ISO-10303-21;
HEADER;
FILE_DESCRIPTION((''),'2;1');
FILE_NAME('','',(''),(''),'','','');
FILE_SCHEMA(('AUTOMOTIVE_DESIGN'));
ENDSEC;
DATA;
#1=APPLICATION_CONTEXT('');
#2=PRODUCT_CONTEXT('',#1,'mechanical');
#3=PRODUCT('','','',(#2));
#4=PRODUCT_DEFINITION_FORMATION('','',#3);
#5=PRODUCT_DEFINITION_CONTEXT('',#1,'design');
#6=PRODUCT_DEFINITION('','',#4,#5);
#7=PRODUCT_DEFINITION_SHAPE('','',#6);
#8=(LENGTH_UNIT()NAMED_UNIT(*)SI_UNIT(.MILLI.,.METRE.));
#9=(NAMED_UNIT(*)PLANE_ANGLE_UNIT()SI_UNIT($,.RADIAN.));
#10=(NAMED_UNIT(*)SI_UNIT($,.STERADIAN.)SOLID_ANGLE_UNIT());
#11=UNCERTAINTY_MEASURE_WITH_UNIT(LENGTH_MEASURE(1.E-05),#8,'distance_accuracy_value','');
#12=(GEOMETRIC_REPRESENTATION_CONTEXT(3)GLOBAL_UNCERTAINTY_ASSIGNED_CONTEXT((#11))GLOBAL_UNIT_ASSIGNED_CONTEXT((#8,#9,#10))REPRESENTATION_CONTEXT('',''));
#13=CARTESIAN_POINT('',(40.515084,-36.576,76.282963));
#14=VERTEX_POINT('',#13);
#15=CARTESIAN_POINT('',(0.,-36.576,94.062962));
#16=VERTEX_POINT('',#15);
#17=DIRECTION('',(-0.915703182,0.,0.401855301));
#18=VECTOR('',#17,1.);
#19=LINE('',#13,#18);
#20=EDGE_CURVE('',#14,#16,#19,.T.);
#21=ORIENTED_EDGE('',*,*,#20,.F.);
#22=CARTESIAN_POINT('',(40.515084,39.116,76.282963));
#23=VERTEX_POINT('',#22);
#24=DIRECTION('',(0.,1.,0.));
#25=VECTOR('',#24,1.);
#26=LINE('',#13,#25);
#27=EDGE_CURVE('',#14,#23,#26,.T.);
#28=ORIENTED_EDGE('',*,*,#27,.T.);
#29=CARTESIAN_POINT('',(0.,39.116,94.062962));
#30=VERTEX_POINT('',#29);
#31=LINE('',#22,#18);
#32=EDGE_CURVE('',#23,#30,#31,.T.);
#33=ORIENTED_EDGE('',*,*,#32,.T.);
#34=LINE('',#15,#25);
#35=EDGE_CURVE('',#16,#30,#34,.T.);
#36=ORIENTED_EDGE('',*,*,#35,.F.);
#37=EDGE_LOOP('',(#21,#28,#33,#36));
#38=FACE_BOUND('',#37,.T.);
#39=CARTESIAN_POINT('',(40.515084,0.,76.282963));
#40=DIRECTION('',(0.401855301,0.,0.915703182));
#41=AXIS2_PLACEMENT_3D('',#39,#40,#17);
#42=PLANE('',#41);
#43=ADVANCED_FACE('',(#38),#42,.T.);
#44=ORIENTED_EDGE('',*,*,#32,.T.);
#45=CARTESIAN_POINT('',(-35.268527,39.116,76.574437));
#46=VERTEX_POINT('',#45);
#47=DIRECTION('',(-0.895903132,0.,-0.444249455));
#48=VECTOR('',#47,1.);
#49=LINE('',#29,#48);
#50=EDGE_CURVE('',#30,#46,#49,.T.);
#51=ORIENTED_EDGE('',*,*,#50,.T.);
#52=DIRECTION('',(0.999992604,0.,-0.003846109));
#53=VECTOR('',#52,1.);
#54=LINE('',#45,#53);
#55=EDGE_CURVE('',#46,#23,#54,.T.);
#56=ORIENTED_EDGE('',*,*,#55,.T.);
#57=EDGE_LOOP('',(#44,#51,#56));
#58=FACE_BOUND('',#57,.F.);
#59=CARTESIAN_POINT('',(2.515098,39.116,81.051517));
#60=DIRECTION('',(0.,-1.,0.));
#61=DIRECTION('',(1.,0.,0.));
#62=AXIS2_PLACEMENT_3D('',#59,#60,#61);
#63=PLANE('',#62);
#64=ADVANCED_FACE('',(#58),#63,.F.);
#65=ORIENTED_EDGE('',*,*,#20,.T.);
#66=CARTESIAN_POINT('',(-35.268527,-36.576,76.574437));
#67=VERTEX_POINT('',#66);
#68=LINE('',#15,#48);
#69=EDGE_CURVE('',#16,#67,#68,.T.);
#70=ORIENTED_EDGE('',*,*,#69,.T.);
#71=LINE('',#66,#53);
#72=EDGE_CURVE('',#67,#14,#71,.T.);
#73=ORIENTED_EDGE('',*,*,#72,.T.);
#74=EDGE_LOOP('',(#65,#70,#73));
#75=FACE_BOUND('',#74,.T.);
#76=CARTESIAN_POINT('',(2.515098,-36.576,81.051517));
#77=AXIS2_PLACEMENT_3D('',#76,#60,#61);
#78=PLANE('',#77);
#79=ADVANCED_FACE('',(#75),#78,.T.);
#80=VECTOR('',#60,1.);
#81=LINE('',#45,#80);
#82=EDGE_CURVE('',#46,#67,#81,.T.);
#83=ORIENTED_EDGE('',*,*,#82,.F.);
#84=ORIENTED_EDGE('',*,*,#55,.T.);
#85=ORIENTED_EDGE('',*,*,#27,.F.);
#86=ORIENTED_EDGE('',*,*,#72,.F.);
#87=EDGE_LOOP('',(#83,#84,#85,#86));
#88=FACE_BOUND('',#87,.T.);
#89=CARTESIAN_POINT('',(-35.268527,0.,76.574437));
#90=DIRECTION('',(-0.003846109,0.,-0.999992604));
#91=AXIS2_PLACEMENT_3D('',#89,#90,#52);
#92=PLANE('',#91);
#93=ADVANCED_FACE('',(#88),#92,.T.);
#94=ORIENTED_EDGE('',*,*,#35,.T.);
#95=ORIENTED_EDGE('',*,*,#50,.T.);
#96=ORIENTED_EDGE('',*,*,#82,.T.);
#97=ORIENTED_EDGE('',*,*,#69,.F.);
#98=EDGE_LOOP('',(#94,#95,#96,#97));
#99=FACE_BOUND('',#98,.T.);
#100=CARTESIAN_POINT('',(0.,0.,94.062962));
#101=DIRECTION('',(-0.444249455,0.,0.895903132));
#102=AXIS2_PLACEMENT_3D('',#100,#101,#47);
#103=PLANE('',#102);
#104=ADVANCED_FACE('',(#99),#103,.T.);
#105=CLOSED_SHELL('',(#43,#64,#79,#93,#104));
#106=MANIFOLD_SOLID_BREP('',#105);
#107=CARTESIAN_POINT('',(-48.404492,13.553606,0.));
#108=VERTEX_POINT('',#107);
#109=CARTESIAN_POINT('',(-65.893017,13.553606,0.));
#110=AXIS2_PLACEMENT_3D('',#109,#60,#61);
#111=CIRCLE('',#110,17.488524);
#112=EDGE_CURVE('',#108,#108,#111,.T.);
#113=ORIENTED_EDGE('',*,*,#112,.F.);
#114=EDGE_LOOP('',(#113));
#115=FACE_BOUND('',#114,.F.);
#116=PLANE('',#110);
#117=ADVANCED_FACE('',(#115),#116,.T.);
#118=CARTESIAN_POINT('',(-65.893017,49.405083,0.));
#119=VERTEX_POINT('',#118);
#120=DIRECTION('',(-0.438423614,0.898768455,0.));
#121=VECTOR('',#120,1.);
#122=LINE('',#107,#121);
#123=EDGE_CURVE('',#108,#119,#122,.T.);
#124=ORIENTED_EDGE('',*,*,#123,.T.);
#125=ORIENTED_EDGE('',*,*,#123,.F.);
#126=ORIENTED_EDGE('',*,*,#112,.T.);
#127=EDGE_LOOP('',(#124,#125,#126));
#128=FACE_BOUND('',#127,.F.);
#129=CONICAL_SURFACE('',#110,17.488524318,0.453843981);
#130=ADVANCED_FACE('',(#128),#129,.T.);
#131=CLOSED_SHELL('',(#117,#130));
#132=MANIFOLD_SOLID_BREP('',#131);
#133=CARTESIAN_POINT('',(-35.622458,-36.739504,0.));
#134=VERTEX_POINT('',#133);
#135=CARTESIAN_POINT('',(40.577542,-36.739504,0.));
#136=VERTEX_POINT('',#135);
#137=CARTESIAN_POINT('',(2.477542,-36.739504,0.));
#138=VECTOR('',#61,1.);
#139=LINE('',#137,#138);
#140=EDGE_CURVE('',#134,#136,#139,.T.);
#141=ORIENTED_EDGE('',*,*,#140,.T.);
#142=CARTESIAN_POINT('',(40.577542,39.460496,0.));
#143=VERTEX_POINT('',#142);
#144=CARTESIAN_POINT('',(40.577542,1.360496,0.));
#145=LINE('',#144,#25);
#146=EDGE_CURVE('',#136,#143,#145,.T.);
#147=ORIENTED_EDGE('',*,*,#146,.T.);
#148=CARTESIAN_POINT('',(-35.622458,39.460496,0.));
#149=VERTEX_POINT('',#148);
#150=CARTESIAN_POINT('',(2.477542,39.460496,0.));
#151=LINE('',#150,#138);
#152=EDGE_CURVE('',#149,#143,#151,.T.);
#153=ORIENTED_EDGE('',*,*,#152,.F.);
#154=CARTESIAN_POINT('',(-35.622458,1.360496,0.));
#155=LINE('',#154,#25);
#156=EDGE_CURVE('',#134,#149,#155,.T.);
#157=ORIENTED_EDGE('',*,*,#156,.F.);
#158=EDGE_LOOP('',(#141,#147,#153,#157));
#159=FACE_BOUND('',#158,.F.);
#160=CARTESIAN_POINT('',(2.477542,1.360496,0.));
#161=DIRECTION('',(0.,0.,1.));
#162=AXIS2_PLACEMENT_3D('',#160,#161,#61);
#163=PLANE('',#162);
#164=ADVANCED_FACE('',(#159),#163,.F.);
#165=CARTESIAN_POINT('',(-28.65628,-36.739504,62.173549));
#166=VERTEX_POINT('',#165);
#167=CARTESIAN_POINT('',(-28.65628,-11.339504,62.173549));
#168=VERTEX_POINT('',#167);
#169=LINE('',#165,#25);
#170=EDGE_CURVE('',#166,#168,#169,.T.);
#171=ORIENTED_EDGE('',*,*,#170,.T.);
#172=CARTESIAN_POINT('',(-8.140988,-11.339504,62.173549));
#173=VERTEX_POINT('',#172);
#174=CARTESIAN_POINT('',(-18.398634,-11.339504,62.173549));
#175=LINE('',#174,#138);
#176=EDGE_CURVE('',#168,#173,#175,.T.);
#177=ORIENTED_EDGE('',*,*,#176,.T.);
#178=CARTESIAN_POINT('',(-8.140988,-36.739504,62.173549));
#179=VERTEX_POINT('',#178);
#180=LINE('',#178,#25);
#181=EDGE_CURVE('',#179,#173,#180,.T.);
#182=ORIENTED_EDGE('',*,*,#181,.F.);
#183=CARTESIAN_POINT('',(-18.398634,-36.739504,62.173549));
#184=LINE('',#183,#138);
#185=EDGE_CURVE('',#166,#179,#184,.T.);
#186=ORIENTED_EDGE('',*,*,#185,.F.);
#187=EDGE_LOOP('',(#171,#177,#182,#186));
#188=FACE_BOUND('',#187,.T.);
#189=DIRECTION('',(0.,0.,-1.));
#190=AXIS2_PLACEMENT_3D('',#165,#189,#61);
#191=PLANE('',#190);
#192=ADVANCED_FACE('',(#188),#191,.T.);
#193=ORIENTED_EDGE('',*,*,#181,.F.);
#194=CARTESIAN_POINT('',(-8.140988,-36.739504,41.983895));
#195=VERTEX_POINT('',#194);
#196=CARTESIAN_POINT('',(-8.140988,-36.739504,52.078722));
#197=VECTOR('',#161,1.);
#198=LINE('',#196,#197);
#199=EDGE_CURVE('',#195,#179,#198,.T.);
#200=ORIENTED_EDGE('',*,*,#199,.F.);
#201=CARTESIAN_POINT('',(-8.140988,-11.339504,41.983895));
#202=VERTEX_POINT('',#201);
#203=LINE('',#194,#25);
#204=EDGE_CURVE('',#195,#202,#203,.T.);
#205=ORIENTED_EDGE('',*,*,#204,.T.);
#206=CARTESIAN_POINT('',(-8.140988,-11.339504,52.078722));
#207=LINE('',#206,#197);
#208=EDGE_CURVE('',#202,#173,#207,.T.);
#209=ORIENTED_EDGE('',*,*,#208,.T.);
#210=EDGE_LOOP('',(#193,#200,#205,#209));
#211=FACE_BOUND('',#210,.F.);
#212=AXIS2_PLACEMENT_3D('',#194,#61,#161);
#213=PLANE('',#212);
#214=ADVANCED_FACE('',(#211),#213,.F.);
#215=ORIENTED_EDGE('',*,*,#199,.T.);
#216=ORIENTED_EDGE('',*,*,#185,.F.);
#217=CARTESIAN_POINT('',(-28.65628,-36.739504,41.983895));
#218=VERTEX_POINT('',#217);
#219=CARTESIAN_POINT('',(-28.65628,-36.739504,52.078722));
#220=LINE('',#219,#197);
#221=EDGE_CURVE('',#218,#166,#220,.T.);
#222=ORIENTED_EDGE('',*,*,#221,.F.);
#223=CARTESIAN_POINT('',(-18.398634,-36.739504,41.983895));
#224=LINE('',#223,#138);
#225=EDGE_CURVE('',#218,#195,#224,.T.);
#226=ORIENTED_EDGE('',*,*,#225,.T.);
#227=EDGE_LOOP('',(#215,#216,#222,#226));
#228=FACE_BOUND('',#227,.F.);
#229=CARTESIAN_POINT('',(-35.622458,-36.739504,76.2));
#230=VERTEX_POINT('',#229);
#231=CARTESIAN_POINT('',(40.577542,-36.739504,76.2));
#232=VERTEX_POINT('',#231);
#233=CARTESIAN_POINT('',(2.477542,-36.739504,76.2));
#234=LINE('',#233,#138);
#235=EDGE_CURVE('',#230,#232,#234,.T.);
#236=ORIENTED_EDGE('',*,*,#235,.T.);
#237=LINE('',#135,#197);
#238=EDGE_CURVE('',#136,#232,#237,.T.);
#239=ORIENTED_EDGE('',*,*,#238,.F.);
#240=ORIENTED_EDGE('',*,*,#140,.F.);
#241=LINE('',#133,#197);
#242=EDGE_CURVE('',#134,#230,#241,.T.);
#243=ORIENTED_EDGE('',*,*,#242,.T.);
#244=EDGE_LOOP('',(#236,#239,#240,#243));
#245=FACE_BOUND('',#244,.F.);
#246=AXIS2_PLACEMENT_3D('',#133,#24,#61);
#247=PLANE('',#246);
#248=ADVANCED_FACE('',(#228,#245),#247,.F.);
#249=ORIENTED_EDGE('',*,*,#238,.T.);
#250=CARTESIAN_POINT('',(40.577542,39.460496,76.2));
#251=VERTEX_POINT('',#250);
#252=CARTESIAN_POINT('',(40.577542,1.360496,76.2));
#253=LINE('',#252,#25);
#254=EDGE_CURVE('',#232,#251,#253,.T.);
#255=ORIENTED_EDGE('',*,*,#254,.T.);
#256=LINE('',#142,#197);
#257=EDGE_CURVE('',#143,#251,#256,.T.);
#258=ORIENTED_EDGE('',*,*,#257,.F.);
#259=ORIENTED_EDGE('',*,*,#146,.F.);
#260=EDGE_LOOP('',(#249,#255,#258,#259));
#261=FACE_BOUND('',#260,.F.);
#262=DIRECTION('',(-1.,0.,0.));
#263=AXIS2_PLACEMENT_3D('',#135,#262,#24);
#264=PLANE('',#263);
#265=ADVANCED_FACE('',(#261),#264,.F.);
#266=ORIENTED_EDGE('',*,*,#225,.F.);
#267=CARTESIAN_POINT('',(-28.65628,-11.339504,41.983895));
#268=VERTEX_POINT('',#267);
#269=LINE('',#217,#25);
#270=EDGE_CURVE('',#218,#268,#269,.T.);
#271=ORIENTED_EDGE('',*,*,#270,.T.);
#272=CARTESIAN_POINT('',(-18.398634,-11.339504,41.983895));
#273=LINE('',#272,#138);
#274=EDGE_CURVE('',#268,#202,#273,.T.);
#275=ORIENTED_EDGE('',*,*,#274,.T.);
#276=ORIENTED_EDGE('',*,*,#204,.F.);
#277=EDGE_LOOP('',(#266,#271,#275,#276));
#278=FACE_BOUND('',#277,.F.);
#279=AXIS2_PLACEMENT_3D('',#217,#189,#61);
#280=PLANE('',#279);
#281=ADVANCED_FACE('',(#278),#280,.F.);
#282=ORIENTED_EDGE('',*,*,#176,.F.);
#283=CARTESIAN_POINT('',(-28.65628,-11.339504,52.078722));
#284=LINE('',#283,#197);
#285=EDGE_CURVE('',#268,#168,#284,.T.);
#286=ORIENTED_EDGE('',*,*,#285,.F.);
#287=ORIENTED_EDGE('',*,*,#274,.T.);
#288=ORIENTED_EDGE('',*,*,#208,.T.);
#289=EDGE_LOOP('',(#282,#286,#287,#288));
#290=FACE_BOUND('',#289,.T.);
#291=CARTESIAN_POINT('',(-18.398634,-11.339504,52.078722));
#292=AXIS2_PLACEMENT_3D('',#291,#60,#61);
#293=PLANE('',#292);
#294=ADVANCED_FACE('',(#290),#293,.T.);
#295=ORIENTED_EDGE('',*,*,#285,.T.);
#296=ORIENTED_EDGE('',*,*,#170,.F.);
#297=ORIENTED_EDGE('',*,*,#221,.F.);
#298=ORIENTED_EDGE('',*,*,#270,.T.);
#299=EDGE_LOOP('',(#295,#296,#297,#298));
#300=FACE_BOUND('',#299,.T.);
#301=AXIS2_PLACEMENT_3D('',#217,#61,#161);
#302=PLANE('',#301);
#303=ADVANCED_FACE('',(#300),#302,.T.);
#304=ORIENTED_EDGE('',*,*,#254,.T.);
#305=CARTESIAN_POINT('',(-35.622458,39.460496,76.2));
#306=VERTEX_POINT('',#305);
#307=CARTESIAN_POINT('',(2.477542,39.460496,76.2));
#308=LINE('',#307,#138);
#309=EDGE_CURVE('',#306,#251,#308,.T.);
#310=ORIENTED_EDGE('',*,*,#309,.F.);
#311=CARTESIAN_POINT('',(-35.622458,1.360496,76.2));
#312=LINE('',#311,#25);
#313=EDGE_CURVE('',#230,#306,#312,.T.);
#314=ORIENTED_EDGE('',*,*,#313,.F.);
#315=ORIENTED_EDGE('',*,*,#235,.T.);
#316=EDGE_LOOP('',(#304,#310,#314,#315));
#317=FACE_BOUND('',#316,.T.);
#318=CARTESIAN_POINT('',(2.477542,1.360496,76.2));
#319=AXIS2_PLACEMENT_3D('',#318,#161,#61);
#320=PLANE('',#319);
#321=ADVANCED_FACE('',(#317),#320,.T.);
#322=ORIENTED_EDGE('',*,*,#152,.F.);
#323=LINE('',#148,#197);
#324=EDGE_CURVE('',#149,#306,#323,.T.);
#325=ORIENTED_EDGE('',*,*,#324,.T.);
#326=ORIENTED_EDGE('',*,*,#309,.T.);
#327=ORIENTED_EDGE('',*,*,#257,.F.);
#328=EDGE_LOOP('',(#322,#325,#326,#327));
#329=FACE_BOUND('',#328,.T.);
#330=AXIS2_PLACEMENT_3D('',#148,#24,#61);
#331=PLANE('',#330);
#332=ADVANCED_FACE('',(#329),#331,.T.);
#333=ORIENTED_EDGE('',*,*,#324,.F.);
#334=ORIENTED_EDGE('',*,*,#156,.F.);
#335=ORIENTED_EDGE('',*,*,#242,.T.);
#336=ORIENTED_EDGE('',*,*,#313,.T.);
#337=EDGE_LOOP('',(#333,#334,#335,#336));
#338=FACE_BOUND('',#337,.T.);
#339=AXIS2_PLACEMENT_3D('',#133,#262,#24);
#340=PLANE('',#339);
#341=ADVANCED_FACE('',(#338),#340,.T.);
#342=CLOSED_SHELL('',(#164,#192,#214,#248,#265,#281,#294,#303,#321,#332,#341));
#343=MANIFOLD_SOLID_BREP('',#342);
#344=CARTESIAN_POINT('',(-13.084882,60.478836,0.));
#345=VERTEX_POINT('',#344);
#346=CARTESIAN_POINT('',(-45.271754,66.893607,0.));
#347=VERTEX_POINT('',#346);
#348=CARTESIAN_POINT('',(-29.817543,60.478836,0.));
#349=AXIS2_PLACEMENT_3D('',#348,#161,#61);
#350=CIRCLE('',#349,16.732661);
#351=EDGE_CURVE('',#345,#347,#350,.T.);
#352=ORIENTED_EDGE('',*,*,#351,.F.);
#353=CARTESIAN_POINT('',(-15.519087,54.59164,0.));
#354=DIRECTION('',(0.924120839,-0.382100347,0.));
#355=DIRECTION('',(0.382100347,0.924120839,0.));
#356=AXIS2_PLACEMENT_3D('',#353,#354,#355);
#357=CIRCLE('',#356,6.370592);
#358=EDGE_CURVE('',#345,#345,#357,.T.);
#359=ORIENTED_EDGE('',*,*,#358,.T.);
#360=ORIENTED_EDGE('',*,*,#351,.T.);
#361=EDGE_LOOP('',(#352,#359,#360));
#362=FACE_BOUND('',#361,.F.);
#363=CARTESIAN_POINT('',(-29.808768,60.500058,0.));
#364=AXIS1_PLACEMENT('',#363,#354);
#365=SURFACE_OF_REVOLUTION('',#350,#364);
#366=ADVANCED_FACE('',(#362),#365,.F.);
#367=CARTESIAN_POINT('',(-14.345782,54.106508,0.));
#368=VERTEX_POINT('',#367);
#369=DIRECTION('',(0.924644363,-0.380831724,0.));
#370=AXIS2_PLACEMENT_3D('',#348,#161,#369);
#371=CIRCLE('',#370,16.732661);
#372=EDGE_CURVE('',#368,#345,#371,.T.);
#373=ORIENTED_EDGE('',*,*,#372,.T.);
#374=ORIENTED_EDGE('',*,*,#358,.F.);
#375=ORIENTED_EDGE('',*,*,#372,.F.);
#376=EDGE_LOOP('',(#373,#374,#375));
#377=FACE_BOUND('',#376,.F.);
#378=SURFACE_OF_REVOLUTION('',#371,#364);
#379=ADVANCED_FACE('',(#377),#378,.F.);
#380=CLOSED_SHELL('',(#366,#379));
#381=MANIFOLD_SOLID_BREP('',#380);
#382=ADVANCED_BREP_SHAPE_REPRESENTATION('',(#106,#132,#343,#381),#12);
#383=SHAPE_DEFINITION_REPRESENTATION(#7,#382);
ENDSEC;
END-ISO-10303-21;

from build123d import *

# Parameters (mm, degrees)
F0_W          = 76.2
F0_H          = 76.2
F1_DEPTH      = 76.2
F3_DEPTH      = 36.576
F3_DEPTH_BACK = 39.116
F4_W          = 20.5152919516
F4_H          = 20.1896540821
F5_DEPTH      = 25.4


with BuildPart() as f1:
    # F0 (on Top) → F1 (new body)
    with BuildSketch(Plane.XY):
        with Locations((2.4775415659, 1.3604956046)):
            Rectangle(F0_W, F0_H)
    extrude(amount=F1_DEPTH)

    # F4 (on face) → F5 (cut)
    with BuildSketch(Plane.XZ.offset(36.7395043954)):
        with Locations((-18.3986336924, 52.0787220448)):
            Rectangle(F4_W, F4_H)
    extrude(amount=-F5_DEPTH, mode=Mode.SUBTRACT)


with BuildPart() as f3:
    # F2 (on Front) → F3 (new body, two sides)
    with BuildSketch(Plane.XZ) as f3_sk:
        Polygon((0, 94.062961638), (-35.2685265243, 76.5744373202), (40.5150838196, 76.2829631567), align=None)
    extrude(amount=F3_DEPTH)
    extrude(f3_sk.sketch, amount=-F3_DEPTH_BACK)


with BuildPart() as f7:
    # F6 (on Top) → F7 (revolve)
    with BuildSketch(Plane.XY):
        Polygon((-48.4044924378, 13.5536063462), (-65.8930167556, 49.4050830603), (-65.8930167556, 13.5536063462), align=None)
    revolve(axis=Axis((-65.8930167556, 31.4793447033, 0), (0, -1, 0)))


with BuildPart() as f9:
    # F8 (on Top) → F9 (revolve)
    with BuildSketch(Plane.XY):
        with BuildLine():
            ThreePointArc((-14.3457819904, 54.1065082938), (-13.4031332861, 57.2308972482), (-13.0848816663, 60.4788364139))
            ThreePointArc((-13.0848816663, 60.4788364139), (-26.5470794009, 76.8887728412), (-45.2717542648, 66.893607378))
            Line((-45.2717542648, 66.893607378), (-14.3457819904, 54.1065082938))
        make_face()
    revolve(axis=Axis((-29.8087681276, 60.5000578359, 0), (0.9241208389, -0.3821003469, 0)))


solid = Compound([f1.part, f3.part, f7.part, f9.part])
